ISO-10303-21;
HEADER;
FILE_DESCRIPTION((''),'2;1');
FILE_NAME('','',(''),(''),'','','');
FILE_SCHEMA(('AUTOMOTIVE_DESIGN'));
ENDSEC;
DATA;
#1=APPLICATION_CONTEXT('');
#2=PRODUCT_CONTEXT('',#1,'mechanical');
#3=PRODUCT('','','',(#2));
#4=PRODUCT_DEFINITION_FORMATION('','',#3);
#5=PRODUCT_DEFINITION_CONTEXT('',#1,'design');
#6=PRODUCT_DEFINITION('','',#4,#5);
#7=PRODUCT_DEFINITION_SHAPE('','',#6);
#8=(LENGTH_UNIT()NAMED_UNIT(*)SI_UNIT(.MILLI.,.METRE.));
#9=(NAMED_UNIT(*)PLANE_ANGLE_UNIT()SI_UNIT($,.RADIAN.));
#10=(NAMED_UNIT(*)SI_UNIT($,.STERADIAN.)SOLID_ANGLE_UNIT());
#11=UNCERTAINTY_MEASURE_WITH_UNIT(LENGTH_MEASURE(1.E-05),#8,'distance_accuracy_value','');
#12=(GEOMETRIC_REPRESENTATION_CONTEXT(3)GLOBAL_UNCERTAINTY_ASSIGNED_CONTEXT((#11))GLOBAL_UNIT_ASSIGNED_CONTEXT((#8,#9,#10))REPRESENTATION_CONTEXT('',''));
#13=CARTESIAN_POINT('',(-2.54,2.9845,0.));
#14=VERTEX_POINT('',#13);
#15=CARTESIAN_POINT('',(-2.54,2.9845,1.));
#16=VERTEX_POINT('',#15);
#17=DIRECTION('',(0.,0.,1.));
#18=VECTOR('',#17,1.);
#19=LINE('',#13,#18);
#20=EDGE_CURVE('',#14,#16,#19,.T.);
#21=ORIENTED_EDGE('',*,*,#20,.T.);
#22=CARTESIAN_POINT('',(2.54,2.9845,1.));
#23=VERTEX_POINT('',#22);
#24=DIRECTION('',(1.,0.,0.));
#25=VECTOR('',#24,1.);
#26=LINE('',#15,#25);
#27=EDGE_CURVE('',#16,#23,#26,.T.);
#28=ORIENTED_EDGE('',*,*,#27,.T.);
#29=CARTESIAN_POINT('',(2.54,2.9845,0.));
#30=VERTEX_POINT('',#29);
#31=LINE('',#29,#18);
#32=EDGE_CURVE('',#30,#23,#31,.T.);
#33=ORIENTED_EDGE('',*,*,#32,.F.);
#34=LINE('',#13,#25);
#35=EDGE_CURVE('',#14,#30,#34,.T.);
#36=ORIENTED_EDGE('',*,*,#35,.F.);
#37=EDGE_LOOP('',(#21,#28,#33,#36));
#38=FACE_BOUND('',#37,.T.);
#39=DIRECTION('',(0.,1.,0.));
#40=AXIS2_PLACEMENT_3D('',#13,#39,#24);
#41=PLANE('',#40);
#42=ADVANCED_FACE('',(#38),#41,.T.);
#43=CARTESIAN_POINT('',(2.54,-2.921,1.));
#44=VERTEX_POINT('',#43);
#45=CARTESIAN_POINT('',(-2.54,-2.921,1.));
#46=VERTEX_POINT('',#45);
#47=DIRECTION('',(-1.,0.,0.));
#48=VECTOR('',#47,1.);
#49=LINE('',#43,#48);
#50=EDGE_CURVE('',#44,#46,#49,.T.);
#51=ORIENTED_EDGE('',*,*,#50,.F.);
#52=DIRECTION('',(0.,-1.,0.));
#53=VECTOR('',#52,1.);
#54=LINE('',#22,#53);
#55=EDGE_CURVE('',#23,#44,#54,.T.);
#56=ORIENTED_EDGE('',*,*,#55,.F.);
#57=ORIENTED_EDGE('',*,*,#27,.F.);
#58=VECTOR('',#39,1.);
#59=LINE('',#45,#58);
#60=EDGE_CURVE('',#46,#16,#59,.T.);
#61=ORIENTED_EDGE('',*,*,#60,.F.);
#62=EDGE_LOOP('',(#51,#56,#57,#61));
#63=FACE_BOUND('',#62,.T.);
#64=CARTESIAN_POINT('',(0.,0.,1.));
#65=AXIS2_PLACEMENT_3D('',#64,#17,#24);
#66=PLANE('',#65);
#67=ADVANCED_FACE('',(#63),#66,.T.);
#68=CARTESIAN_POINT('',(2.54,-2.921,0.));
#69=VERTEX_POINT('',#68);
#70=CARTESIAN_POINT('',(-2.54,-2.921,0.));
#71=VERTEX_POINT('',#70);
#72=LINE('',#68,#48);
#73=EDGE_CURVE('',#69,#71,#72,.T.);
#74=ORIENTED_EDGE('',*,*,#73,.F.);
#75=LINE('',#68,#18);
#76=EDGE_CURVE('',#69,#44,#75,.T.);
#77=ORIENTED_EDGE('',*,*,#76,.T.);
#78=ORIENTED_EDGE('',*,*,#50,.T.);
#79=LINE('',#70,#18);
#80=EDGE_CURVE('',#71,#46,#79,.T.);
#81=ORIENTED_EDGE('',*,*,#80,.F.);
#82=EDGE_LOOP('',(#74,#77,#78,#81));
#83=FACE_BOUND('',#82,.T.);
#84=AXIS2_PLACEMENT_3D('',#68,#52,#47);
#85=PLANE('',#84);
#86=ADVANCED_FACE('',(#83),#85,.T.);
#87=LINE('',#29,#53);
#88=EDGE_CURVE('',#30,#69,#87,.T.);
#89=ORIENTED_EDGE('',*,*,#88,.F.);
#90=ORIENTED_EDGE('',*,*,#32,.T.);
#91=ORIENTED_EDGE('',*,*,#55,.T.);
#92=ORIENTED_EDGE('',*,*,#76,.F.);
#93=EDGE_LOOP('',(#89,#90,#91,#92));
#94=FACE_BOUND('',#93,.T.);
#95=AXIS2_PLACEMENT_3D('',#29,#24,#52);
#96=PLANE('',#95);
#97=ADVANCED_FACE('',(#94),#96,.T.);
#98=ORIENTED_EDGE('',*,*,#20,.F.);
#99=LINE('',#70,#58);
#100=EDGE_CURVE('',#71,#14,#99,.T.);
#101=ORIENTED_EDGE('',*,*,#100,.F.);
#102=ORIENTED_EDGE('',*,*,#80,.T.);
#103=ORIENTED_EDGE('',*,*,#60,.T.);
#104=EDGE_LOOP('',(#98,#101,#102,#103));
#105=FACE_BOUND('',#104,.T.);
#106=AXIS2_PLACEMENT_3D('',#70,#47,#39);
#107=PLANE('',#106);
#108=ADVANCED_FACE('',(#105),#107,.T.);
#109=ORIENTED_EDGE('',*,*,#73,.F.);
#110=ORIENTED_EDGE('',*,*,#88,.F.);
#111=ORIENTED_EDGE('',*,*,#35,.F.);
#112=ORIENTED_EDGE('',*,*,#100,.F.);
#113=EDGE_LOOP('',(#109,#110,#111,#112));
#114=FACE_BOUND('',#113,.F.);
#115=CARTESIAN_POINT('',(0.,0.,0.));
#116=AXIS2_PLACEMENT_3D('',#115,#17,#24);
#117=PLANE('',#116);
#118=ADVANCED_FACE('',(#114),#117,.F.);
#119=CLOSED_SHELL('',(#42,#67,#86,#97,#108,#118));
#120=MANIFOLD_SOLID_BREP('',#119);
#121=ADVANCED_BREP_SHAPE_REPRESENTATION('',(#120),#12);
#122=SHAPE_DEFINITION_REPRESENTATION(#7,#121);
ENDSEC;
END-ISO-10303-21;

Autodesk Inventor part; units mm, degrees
ref_plane "YZ Plane" through (0, 0, 0) normal (1, 0, 0) x (0, 1, 0)
ref_plane "XZ Plane" through (0, 0, 0) normal (0, 1, 0) x (-1, 0, 0)
ref_plane "XY Plane" through (0, 0, 0) normal (0, 0, 1) x (1, 0, 0)
sketch "6410-02, MOTOR_4_52" plane through (0, 0, 0) normal (0, 0, 1) x (1, 0, 0)
  line L0 (-2.54, 2.9845) -> (2.54, 2.9845)
  line L1 (2.54, 2.9845) -> (2.54, -2.921)
  line L2 (2.54, -2.921) -> (-2.54, -2.921)
  line L3 (-2.54, -2.921) -> (-2.54, 2.9845)
extrude "Extrusion1" add sketch "6410-02, MOTOR_4_52" along normal blind 1
properties part number "MOTOR_4"
